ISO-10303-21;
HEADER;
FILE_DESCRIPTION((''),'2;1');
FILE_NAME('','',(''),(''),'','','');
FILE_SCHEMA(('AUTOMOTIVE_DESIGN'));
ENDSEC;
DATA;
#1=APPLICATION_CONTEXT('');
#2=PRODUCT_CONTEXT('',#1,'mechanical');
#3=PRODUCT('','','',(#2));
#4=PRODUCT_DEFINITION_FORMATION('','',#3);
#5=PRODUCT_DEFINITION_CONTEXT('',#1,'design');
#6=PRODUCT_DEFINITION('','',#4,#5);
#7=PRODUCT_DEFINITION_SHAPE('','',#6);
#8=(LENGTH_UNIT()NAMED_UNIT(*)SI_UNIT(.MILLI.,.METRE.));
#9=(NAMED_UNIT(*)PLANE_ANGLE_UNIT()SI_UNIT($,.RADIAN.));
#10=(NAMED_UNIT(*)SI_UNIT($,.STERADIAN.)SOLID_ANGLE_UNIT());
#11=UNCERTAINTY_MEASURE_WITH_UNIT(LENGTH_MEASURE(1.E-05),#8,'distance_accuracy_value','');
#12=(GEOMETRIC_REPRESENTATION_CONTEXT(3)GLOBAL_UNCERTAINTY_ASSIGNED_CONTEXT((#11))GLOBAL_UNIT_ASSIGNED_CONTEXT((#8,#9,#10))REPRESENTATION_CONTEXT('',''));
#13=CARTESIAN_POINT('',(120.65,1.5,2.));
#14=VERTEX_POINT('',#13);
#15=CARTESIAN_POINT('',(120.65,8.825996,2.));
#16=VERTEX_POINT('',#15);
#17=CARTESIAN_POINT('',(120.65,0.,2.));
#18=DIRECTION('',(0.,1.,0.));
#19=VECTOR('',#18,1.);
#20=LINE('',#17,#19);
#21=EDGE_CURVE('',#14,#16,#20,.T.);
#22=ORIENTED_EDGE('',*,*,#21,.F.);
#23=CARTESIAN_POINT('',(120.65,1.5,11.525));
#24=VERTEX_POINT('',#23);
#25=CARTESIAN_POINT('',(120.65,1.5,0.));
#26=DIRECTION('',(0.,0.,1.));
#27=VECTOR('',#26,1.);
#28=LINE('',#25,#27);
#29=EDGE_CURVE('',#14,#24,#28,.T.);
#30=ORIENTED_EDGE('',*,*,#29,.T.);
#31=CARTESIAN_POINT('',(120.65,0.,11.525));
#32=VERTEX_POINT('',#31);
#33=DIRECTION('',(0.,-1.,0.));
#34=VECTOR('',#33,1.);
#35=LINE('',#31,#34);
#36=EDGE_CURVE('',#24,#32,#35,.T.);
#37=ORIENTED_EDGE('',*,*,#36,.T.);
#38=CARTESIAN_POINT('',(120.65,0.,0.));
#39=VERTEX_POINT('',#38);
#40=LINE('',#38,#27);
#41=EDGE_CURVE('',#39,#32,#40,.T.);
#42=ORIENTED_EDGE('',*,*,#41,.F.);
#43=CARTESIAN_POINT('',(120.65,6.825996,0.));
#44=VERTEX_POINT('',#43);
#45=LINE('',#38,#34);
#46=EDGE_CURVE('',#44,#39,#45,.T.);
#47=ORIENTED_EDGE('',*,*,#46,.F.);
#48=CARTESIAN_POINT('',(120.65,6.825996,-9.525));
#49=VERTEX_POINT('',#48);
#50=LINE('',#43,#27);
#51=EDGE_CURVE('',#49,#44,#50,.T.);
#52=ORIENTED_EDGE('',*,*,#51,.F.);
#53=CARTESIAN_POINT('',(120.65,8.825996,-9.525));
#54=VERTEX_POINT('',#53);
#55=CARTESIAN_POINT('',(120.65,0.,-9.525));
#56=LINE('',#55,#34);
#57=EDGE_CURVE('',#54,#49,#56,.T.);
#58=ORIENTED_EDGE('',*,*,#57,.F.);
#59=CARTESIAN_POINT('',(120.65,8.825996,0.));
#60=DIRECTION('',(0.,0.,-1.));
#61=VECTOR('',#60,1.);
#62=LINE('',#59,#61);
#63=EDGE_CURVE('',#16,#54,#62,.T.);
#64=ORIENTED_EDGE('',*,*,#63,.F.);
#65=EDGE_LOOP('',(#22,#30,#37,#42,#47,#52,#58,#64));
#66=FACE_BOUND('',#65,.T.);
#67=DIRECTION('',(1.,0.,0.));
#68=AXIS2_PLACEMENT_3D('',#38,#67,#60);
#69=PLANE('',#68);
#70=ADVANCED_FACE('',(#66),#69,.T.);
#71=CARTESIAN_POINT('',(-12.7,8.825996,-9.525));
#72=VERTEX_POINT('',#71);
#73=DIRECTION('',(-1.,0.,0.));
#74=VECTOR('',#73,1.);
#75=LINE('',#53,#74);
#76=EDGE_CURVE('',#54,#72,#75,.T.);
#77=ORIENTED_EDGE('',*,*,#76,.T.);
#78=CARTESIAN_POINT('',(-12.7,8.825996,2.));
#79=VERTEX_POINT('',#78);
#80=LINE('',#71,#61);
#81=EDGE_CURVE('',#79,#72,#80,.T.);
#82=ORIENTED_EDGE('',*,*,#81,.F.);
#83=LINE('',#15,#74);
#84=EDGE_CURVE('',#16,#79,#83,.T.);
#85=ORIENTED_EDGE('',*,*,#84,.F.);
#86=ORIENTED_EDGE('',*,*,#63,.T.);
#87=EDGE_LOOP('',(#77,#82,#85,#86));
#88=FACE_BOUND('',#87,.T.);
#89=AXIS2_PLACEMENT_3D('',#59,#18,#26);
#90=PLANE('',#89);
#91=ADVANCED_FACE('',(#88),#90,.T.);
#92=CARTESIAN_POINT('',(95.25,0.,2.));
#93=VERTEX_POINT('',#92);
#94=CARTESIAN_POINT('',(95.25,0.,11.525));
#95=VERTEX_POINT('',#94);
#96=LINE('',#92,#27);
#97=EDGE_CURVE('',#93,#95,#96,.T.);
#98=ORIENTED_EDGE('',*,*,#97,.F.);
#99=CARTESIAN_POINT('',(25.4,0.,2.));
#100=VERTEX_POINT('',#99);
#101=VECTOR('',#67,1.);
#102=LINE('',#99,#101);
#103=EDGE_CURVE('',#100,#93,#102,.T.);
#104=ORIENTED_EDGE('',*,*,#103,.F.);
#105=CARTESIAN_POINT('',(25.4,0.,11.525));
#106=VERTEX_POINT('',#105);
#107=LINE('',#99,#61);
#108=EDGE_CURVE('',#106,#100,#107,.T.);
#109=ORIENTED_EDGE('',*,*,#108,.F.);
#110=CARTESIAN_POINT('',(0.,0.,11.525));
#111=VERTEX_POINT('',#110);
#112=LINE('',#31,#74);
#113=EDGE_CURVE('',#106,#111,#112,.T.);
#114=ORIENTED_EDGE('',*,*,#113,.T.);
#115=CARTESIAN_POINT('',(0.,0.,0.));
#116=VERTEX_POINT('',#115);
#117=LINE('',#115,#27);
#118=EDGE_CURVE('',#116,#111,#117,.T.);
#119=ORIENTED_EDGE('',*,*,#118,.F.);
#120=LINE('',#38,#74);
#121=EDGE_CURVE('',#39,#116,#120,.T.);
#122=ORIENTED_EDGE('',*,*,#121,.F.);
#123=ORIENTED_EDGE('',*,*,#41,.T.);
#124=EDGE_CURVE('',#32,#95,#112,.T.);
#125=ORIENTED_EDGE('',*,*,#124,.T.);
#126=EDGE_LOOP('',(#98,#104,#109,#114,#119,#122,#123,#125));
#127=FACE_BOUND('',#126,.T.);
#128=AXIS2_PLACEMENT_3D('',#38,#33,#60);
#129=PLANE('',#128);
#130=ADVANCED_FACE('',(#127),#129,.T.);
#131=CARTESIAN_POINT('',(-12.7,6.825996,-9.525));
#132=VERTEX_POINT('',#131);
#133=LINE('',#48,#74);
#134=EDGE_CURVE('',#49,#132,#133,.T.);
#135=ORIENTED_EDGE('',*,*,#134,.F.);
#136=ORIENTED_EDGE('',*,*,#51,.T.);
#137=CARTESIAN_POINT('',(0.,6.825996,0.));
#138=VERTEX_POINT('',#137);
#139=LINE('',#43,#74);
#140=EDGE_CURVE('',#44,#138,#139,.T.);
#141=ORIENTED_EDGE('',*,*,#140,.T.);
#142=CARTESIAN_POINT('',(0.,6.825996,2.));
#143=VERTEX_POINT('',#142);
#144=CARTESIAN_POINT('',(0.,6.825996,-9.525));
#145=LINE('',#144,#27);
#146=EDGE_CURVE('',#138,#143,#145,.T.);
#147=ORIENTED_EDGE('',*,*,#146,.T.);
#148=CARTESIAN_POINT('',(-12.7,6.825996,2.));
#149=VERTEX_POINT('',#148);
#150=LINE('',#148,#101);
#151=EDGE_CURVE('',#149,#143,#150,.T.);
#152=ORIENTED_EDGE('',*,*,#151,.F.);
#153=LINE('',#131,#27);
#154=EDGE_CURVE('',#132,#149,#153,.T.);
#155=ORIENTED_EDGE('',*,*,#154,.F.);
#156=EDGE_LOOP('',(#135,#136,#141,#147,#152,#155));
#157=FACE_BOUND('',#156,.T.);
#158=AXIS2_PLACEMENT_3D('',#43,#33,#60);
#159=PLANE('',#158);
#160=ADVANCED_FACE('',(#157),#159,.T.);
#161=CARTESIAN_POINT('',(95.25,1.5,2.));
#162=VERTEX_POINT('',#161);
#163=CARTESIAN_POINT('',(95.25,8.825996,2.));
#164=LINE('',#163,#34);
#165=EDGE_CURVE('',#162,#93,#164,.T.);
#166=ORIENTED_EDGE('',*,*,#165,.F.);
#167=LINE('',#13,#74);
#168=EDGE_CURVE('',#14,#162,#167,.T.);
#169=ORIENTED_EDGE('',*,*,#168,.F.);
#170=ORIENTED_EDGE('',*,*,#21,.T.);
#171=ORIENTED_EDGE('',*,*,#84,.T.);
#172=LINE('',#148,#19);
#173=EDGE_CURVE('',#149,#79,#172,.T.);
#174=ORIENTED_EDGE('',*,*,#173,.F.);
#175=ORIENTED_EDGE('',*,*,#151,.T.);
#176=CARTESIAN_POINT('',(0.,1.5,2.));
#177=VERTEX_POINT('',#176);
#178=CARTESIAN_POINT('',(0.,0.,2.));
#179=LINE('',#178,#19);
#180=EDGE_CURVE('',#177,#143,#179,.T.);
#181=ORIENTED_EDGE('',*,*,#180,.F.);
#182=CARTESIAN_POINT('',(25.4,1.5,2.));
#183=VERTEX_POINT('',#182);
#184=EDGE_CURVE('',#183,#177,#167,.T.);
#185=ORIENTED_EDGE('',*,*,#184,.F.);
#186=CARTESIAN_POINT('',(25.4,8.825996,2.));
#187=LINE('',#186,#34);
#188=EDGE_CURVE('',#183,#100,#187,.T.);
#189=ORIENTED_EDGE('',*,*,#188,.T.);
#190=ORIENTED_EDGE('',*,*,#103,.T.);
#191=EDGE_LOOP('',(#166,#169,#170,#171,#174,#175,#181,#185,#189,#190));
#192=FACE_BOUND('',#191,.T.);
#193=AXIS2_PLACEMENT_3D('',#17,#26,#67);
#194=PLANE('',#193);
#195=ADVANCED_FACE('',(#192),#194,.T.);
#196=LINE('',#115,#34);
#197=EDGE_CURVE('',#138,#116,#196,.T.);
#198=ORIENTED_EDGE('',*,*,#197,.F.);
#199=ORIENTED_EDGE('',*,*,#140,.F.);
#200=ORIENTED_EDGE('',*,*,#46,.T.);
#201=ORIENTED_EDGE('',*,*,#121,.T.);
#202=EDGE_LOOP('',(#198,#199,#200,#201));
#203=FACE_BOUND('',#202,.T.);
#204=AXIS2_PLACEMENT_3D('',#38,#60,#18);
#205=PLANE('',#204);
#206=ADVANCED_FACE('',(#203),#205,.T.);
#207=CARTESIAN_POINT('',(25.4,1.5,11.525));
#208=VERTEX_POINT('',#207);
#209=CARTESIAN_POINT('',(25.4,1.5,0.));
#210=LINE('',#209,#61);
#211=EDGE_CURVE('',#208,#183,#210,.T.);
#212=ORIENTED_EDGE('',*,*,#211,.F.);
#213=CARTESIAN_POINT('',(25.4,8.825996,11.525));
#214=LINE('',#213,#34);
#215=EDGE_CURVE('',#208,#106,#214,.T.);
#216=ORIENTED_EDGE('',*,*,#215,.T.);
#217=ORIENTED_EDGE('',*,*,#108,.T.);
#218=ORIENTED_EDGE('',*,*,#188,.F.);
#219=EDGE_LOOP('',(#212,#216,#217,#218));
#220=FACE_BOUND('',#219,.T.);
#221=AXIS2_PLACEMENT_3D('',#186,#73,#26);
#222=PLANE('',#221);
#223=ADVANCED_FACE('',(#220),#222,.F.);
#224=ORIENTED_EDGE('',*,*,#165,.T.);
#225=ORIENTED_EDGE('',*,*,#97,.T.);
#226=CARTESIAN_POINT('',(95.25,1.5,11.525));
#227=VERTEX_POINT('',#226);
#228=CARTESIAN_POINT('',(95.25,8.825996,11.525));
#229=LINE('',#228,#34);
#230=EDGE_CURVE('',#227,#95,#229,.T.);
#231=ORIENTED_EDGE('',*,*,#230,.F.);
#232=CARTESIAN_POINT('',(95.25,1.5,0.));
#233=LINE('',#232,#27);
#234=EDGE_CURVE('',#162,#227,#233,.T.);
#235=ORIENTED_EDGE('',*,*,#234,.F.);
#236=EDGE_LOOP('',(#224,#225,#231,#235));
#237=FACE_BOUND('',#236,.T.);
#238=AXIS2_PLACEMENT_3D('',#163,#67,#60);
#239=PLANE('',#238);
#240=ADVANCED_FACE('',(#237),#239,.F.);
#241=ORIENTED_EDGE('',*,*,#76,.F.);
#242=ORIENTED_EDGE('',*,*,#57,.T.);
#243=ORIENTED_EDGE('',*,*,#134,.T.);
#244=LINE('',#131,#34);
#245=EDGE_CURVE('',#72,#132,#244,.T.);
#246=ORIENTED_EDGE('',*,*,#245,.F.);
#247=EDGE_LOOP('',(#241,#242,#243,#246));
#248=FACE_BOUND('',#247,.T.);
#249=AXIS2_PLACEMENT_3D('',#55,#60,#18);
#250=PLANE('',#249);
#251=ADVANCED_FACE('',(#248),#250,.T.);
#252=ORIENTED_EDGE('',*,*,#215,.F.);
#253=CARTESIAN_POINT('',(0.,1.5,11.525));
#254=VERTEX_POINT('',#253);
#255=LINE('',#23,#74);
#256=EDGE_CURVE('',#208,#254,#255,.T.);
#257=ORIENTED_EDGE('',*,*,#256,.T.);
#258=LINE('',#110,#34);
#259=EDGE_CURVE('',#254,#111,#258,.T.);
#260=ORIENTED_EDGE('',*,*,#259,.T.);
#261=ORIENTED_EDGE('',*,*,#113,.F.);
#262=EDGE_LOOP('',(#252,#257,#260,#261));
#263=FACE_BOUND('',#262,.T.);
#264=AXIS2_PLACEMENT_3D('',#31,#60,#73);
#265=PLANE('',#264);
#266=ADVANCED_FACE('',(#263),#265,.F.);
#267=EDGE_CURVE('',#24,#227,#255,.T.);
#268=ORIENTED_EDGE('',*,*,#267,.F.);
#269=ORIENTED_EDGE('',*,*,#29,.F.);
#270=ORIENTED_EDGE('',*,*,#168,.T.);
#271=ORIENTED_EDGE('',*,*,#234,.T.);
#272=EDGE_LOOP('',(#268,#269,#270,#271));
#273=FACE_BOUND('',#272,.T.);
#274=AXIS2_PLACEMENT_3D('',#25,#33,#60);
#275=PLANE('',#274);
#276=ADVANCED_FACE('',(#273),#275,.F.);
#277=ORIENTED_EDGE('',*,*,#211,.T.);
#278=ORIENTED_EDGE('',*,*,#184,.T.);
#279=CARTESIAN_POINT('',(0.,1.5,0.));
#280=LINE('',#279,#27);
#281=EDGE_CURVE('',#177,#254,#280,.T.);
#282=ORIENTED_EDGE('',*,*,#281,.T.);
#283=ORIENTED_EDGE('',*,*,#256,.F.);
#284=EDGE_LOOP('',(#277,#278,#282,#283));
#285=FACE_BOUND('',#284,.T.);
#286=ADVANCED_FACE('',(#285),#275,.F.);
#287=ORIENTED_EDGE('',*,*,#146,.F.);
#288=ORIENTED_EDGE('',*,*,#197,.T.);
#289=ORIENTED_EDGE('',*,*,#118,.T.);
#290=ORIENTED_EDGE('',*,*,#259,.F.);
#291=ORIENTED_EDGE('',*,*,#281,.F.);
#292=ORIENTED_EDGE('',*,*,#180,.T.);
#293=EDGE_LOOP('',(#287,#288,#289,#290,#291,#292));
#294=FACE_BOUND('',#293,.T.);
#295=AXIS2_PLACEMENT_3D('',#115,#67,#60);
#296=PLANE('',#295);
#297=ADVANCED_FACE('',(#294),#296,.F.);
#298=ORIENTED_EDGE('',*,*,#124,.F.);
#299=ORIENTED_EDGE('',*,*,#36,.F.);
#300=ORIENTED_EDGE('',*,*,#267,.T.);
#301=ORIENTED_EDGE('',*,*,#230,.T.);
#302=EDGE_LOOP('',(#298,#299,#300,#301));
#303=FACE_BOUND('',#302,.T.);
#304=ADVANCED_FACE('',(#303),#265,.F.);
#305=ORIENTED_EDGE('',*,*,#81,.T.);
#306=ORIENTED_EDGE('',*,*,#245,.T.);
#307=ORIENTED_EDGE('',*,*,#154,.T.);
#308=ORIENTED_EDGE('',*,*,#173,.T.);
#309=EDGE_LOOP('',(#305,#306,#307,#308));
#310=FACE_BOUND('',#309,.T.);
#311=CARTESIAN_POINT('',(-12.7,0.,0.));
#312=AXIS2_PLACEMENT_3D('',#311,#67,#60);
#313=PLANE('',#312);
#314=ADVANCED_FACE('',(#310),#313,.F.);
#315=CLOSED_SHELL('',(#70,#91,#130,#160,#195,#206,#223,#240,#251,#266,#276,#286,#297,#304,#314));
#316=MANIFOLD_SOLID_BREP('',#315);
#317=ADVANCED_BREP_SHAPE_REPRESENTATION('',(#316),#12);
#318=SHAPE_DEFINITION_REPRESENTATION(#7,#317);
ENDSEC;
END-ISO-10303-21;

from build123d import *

# Parameters (mm, degrees)
SKETCH1_W           = 2
SKETCH1_H           = 1.5
SKETCH1_W_2         = 9.525
BOSS_EXTRUDE1_DEPTH = 120.65
SKETCH2_W           = 69.85
SKETCH2_H           = 9.525
CUT_EXTRUDE1_DEPTH  = 9.825996
SKETCH3_W           = 11.525
SKETCH3_H           = 2
BOSS_EXTRUDE3_DEPTH = 12.7


with BuildPart() as part:
    # Sketch1 → Boss-Extrude1 (new body)
    with BuildSketch(Plane(origin=(0, 0, 0), x_dir=(0, 0, -1), z_dir=(1, 0, 0))):
        Polygon((-2, 8.825996), (-2, 1.5), (0, 1.5), (0, 6.825996), (9.525, 6.825996), (9.525, 8.825996), align=None)
        with Locations((-1, 0.75)):
            Rectangle(SKETCH1_W, SKETCH1_H)
        with Locations((-6.7625, 0.75)):
            Rectangle(SKETCH1_W_2, SKETCH1_H)
    extrude(amount=BOSS_EXTRUDE1_DEPTH)

    # Sketch2 → Cut-Extrude1 (cut, through all)
    with BuildSketch(Plane.XZ):
        with Locations((60.325, 6.7625)):
            Rectangle(SKETCH2_W, SKETCH2_H)
    extrude(amount=-CUT_EXTRUDE1_DEPTH, mode=Mode.SUBTRACT)

    # Sketch3 → Boss-Extrude3 (add)
    with BuildSketch(Plane.ZY):
        with Locations((-3.7625, 7.825996)):
            Rectangle(SKETCH3_W, SKETCH3_H)
    extrude(amount=BOSS_EXTRUDE3_DEPTH)


solid = part.part
